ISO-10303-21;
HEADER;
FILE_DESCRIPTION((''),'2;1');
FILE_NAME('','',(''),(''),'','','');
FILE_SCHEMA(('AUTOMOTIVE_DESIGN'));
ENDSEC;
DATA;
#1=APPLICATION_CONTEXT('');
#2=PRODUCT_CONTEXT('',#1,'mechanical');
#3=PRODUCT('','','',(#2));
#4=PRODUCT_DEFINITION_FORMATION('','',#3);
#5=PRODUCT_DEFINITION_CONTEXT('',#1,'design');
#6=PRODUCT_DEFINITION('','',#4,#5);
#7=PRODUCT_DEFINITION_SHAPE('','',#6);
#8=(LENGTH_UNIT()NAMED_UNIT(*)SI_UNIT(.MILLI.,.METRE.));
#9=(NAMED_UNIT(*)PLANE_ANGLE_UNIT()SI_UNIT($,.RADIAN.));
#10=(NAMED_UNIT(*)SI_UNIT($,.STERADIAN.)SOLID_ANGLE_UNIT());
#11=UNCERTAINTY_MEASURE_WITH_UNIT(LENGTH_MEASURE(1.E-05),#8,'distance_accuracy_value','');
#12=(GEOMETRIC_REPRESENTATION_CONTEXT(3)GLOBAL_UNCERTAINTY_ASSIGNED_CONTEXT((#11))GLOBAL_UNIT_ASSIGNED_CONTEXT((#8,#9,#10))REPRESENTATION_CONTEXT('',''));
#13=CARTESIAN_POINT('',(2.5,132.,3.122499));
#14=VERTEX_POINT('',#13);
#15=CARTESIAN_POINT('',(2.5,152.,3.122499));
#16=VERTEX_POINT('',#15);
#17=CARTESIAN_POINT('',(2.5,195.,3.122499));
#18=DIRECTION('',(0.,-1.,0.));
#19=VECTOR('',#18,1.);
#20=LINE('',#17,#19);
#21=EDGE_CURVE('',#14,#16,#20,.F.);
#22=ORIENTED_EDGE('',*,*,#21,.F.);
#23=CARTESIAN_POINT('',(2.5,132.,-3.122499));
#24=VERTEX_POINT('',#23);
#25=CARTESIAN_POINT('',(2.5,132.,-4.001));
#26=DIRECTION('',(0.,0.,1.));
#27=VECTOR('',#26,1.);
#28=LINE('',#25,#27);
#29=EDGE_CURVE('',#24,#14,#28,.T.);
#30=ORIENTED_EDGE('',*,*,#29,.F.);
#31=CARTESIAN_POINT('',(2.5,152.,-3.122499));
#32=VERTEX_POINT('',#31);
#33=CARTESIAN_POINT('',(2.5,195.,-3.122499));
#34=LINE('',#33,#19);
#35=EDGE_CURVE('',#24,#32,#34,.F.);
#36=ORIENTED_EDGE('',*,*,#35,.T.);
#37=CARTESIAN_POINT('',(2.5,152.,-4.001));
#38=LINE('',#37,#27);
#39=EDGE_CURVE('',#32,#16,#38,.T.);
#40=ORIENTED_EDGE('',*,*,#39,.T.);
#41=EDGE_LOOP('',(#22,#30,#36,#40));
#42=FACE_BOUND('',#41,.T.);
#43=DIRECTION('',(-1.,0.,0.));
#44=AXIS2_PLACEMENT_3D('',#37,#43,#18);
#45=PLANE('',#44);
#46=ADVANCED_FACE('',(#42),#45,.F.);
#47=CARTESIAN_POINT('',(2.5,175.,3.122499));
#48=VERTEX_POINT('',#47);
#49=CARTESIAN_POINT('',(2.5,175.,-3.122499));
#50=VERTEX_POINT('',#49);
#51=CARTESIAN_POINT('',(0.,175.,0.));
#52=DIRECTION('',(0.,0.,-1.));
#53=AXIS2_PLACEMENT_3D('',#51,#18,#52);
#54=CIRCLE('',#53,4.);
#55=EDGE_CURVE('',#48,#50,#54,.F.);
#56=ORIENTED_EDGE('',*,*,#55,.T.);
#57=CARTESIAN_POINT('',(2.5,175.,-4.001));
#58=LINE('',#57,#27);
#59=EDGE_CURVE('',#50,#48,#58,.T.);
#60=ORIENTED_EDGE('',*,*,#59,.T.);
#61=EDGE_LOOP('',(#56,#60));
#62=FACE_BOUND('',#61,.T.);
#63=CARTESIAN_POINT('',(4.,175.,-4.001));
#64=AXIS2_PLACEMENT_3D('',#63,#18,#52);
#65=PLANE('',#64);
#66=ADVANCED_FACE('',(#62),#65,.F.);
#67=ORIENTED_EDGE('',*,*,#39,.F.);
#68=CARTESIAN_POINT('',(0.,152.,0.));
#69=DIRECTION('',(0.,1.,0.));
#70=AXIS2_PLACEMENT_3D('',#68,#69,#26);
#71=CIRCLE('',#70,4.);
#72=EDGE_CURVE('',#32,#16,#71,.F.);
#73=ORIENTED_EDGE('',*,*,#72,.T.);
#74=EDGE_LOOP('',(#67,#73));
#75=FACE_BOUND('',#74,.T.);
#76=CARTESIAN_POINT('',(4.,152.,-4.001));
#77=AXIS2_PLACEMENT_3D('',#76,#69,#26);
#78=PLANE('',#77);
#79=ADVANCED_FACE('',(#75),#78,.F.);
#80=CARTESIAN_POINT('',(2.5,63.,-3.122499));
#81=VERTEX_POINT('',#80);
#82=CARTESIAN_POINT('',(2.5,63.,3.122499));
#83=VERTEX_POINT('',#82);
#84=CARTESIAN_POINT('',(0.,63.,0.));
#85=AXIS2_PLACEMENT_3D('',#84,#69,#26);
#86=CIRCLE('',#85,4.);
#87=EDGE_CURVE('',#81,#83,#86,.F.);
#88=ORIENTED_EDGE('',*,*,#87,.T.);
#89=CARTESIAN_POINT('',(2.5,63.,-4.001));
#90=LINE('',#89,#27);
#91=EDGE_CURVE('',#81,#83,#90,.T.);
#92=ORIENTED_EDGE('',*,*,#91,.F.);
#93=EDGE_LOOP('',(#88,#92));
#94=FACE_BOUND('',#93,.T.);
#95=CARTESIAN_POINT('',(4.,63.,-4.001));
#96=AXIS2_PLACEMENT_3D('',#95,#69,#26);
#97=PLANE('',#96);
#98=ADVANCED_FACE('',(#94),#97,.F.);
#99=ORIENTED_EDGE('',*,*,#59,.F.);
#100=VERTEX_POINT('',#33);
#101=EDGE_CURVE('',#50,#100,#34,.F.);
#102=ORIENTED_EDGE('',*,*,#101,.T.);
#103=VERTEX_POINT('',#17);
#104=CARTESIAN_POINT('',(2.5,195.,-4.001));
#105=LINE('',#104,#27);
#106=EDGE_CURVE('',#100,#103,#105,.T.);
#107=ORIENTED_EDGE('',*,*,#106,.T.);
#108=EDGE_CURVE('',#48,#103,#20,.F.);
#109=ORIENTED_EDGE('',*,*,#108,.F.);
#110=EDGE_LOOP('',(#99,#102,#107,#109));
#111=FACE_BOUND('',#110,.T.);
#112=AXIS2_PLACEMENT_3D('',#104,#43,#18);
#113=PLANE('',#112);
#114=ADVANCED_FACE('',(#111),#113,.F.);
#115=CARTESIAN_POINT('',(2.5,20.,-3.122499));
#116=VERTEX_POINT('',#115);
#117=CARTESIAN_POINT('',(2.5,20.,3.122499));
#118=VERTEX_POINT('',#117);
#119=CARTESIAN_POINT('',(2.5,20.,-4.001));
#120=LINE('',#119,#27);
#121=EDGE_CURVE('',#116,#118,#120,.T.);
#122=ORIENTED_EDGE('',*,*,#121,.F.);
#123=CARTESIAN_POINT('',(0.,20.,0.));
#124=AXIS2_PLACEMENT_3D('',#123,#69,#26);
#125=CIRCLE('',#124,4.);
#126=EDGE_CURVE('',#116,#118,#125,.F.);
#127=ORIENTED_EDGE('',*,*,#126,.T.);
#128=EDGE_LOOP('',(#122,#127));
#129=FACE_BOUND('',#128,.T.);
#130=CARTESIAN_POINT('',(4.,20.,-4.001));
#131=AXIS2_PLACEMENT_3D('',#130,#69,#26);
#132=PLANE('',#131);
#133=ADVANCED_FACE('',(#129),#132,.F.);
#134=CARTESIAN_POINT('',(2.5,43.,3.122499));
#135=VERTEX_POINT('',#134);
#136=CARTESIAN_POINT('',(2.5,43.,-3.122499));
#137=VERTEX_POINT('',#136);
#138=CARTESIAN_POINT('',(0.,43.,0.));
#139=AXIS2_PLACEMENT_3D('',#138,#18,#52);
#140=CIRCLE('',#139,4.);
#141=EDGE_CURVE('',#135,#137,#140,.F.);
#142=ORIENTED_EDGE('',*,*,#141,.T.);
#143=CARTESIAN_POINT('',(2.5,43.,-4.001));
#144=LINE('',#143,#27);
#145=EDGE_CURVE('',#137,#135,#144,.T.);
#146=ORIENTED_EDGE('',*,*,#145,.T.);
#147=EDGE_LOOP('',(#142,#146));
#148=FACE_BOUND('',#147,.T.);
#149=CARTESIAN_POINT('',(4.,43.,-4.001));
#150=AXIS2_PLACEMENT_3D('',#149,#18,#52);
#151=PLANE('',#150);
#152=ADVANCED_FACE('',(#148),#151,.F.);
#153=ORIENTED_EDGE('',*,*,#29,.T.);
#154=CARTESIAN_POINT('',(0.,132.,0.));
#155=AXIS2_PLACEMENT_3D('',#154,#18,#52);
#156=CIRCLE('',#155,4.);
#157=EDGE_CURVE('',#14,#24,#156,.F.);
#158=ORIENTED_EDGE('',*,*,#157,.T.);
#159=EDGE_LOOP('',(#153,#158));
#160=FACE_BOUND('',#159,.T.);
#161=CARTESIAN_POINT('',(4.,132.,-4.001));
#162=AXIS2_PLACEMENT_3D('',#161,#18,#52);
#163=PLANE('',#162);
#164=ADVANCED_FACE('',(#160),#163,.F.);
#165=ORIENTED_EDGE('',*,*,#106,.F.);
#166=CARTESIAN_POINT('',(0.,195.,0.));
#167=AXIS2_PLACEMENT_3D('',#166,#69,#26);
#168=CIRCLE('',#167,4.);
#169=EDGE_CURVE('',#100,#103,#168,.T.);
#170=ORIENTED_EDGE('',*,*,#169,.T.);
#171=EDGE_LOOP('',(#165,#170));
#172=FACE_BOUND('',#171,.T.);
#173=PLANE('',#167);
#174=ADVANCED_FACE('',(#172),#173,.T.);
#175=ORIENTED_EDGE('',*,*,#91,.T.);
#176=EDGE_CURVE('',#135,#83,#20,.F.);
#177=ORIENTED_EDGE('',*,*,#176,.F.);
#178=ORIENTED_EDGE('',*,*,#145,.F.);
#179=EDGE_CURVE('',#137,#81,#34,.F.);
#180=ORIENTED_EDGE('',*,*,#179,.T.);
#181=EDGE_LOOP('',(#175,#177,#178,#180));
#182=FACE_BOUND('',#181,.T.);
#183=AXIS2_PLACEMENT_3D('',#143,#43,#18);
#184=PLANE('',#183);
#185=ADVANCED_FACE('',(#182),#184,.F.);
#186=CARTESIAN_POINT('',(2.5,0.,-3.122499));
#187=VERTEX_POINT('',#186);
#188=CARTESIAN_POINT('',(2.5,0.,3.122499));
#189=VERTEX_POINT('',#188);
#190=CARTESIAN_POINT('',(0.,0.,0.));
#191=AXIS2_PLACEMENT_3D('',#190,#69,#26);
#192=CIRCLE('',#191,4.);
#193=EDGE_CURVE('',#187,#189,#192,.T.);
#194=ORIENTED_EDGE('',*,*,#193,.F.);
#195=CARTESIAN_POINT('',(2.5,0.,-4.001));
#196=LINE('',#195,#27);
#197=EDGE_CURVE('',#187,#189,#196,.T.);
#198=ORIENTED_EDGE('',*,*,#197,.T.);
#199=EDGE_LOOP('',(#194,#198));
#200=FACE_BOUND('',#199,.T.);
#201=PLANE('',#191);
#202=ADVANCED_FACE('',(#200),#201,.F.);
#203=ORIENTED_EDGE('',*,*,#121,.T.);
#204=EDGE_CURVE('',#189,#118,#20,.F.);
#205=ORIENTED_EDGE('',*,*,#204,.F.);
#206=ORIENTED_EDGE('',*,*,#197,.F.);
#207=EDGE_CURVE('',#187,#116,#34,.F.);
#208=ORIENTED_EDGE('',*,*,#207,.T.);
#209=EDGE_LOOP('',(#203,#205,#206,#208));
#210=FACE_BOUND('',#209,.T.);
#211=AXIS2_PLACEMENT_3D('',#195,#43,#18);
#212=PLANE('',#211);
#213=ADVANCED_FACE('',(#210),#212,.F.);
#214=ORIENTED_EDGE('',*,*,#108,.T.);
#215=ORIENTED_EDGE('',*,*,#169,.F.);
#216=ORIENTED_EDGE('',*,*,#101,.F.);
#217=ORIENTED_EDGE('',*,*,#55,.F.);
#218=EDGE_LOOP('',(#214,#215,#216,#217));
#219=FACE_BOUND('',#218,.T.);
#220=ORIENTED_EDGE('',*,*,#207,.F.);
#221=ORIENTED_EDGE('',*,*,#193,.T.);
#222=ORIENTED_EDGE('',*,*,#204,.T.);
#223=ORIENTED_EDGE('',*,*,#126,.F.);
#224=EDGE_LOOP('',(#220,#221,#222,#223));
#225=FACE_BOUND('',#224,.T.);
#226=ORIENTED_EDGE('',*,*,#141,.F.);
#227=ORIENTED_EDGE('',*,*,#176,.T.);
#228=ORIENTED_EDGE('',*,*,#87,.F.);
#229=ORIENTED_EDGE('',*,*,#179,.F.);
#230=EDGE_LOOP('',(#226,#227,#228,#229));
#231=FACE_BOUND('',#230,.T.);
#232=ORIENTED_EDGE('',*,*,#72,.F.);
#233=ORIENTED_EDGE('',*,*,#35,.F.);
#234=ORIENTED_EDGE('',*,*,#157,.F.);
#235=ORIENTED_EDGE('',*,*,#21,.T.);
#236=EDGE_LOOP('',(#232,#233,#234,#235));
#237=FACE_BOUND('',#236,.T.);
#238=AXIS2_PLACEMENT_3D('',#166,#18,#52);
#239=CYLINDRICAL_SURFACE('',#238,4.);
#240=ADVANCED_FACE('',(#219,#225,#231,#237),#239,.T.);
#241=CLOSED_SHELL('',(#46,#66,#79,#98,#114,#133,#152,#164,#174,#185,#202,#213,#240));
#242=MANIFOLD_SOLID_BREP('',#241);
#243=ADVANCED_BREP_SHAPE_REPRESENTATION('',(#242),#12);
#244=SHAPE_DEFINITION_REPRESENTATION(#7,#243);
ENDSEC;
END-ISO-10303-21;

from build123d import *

# Parameters (mm, degrees)
SKETCH1_R                           = 4
BOSS_EXTRUDE1_DEPTH                 = 195
CUT_EXTRUDE1_REACH                  = 197.082
CUT_EXTRUDE1_END_RADIUS             = 4
SKETCH2_W                           = 1.5
SKETCH2_H                           = 20
CUT_EXTRUDE1_DIRECTION_2_REACH      = 197.082
CUT_EXTRUDE1_DIRECTION_2_END_RADIUS = 4


with BuildPart() as part:
    # Sketch1 → Boss-Extrude1 (new body)
    with BuildSketch(Plane(origin=(0, 0, 0), x_dir=(1, 0, 0), z_dir=(0, 1, 0))):
        with Locations(Location((0, 0, 0), (0, 0, 270))):
            Circle(SKETCH1_R)
    extrude(amount=BOSS_EXTRUDE1_DEPTH)

    # Cut-Extrude1: up to this cylinder (the profile starts inside it)
    cut_extrude1_end = Plane(origin=(0, 97.5, 0), z_dir=(0, -1, 0)) * Cylinder(CUT_EXTRUDE1_END_RADIUS, 578.164, mode=Mode.PRIVATE)
    # Sketch2 → Cut-Extrude1 (cut, up to the surface)
    with BuildSketch(Plane.XY, mode=Mode.PRIVATE) as cut_extrude1_sk1:
        with Locations((3.25, 185)):
            Rectangle(SKETCH2_W, SKETCH2_H)
    cut_extrude1_tool1 = extrude(cut_extrude1_sk1.sketch, amount=-CUT_EXTRUDE1_REACH, mode=Mode.PRIVATE) & cut_extrude1_end
    add(cut_extrude1_tool1.solids().sort_by_distance((3.25, 185, 0))[0], mode=Mode.SUBTRACT)
    # Sketch2 → Cut-Extrude1 (cut, up to the surface)
    with BuildSketch(Plane.XY, mode=Mode.PRIVATE) as cut_extrude1_sk2:
        with Locations((3.25, 142)):
            Rectangle(SKETCH2_W, SKETCH2_H)
    cut_extrude1_tool2 = extrude(cut_extrude1_sk2.sketch, amount=-CUT_EXTRUDE1_REACH, mode=Mode.PRIVATE) & cut_extrude1_end
    add(cut_extrude1_tool2.solids().sort_by_distance((3.25, 142, 0))[0], mode=Mode.SUBTRACT)
    # Sketch2 → Cut-Extrude1 (cut, up to the surface)
    with BuildSketch(Plane.XY, mode=Mode.PRIVATE) as cut_extrude1_sk3:
        with Locations((3.25, 53)):
            Rectangle(SKETCH2_W, SKETCH2_H)
    cut_extrude1_tool3 = extrude(cut_extrude1_sk3.sketch, amount=-CUT_EXTRUDE1_REACH, mode=Mode.PRIVATE) & cut_extrude1_end
    add(cut_extrude1_tool3.solids().sort_by_distance((3.25, 53, 0))[0], mode=Mode.SUBTRACT)
    # Sketch2 → Cut-Extrude1 (cut, up to the surface)
    with BuildSketch(Plane.XY, mode=Mode.PRIVATE) as cut_extrude1_sk4:
        with Locations((3.25, 10)):
            Rectangle(SKETCH2_W, SKETCH2_H)
    cut_extrude1_tool4 = extrude(cut_extrude1_sk4.sketch, amount=-CUT_EXTRUDE1_REACH, mode=Mode.PRIVATE) & cut_extrude1_end
    add(cut_extrude1_tool4.solids().sort_by_distance((3.25, 10, 0))[0], mode=Mode.SUBTRACT)

    # Cut-Extrude1 direction 2: up to this cylinder (the profile starts inside it)
    cut_extrude1_direction_2_end = Plane(origin=(0, 97.5, 0), z_dir=(0, -1, 0)) * Cylinder(CUT_EXTRUDE1_DIRECTION_2_END_RADIUS, 578.164, mode=Mode.PRIVATE)
    # Sketch2 → Cut-Extrude1 direction 2 (cut, up to the surface)
    with BuildSketch(Plane.XY, mode=Mode.PRIVATE) as cut_extrude1_direction_2_sk1:
        with Locations((3.25, 185)):
            Rectangle(SKETCH2_W, SKETCH2_H)
    cut_extrude1_direction_2_tool1 = extrude(cut_extrude1_direction_2_sk1.sketch, amount=CUT_EXTRUDE1_DIRECTION_2_REACH, mode=Mode.PRIVATE) & cut_extrude1_direction_2_end
    add(cut_extrude1_direction_2_tool1.solids().sort_by_distance((3.25, 185, 0))[0], mode=Mode.SUBTRACT)
    # Sketch2 → Cut-Extrude1 direction 2 (cut, up to the surface)
    with BuildSketch(Plane.XY, mode=Mode.PRIVATE) as cut_extrude1_direction_2_sk2:
        with Locations((3.25, 142)):
            Rectangle(SKETCH2_W, SKETCH2_H)
    cut_extrude1_direction_2_tool2 = extrude(cut_extrude1_direction_2_sk2.sketch, amount=CUT_EXTRUDE1_DIRECTION_2_REACH, mode=Mode.PRIVATE) & cut_extrude1_direction_2_end
    add(cut_extrude1_direction_2_tool2.solids().sort_by_distance((3.25, 142, 0))[0], mode=Mode.SUBTRACT)
    # Sketch2 → Cut-Extrude1 direction 2 (cut, up to the surface)
    with BuildSketch(Plane.XY, mode=Mode.PRIVATE) as cut_extrude1_direction_2_sk3:
        with Locations((3.25, 53)):
            Rectangle(SKETCH2_W, SKETCH2_H)
    cut_extrude1_direction_2_tool3 = extrude(cut_extrude1_direction_2_sk3.sketch, amount=CUT_EXTRUDE1_DIRECTION_2_REACH, mode=Mode.PRIVATE) & cut_extrude1_direction_2_end
    add(cut_extrude1_direction_2_tool3.solids().sort_by_distance((3.25, 53, 0))[0], mode=Mode.SUBTRACT)
    # Sketch2 → Cut-Extrude1 direction 2 (cut, up to the surface)
    with BuildSketch(Plane.XY, mode=Mode.PRIVATE) as cut_extrude1_direction_2_sk4:
        with Locations((3.25, 10)):
            Rectangle(SKETCH2_W, SKETCH2_H)
    cut_extrude1_direction_2_tool4 = extrude(cut_extrude1_direction_2_sk4.sketch, amount=CUT_EXTRUDE1_DIRECTION_2_REACH, mode=Mode.PRIVATE) & cut_extrude1_direction_2_end
    add(cut_extrude1_direction_2_tool4.solids().sort_by_distance((3.25, 10, 0))[0], mode=Mode.SUBTRACT)


solid = part.part
